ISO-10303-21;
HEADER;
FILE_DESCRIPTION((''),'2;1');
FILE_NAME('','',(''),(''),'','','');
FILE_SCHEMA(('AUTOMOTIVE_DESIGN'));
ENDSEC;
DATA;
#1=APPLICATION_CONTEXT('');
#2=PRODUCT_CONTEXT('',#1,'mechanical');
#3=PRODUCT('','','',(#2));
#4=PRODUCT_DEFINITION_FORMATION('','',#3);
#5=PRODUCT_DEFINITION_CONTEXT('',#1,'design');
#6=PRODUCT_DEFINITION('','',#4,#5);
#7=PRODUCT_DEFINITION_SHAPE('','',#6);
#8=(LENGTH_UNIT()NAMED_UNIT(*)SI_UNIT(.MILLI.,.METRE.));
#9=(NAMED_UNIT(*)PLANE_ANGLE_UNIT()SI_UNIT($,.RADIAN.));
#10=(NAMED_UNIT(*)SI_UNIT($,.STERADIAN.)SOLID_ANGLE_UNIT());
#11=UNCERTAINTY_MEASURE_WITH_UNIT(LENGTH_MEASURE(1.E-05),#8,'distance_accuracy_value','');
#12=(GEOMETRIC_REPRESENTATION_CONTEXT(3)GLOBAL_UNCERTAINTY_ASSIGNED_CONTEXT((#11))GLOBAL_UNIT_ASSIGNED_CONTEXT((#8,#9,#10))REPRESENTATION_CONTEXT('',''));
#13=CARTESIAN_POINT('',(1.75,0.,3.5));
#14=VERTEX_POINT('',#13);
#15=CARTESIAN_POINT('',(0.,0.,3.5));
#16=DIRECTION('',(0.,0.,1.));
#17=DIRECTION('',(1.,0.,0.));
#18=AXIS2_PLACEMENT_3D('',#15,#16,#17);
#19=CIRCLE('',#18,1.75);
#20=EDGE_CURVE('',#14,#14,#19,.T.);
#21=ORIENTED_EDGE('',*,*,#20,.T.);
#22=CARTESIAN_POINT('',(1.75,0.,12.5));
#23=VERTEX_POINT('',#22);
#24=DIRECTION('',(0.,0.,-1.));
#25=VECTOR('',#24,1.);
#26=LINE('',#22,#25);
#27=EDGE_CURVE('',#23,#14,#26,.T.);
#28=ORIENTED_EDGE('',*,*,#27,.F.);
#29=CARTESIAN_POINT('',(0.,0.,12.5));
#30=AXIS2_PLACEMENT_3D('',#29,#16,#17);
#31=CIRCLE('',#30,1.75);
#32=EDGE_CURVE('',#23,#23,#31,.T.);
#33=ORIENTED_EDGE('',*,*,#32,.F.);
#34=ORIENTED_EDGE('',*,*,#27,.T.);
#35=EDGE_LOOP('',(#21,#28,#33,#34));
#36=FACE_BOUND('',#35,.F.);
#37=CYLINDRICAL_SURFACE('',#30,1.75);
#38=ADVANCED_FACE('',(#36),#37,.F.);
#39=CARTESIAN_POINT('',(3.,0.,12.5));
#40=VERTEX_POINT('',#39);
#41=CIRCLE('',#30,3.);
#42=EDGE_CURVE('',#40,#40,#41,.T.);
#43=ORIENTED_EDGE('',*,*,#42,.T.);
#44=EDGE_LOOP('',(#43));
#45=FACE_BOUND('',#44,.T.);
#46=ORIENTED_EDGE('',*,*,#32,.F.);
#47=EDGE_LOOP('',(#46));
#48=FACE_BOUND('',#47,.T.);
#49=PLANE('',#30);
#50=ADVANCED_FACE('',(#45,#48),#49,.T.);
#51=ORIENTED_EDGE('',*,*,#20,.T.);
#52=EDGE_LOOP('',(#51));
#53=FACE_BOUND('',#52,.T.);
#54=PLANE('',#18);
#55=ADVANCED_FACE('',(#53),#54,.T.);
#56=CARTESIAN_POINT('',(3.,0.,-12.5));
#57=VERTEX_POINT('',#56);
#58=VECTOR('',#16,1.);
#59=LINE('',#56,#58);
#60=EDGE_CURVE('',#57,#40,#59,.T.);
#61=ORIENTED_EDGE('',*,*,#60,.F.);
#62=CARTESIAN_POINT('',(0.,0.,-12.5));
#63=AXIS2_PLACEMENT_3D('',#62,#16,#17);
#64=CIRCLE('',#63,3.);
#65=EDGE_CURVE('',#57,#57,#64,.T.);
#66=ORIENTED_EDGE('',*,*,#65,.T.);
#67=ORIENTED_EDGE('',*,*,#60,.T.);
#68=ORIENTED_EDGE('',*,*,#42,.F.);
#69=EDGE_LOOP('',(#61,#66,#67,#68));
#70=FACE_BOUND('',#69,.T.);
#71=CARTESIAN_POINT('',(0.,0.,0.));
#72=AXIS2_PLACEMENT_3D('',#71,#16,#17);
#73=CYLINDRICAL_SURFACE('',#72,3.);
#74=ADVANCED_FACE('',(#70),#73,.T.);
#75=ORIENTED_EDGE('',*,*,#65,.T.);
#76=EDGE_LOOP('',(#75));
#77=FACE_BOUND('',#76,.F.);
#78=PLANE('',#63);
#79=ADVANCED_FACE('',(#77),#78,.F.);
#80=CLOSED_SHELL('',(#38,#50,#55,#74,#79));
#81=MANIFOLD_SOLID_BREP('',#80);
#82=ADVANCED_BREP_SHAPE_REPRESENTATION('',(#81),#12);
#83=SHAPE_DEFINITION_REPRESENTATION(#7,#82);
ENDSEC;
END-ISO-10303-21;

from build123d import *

# Parameters (mm, degrees)
F0_R     = 3
F0_R_2   = 1.75
F1_DEPTH = 12.5
F3_R     = 1.75
F4_DEPTH = 9


with BuildPart() as f1:
    # F0 (on Top) → F1 (new body, symmetric)
    with BuildSketch(Plane.XY):
        Circle(F0_R)
        Circle(F0_R_2, mode=Mode.SUBTRACT)
        Circle(F0_R_2)
    extrude(amount=F1_DEPTH, both=True)

    # F3 (on offset) → F4 (cut)
    with BuildSketch(Plane.XY.offset(12.5)):
        Circle(F3_R)
    extrude(amount=-F4_DEPTH, mode=Mode.SUBTRACT)


solid = f1.part
